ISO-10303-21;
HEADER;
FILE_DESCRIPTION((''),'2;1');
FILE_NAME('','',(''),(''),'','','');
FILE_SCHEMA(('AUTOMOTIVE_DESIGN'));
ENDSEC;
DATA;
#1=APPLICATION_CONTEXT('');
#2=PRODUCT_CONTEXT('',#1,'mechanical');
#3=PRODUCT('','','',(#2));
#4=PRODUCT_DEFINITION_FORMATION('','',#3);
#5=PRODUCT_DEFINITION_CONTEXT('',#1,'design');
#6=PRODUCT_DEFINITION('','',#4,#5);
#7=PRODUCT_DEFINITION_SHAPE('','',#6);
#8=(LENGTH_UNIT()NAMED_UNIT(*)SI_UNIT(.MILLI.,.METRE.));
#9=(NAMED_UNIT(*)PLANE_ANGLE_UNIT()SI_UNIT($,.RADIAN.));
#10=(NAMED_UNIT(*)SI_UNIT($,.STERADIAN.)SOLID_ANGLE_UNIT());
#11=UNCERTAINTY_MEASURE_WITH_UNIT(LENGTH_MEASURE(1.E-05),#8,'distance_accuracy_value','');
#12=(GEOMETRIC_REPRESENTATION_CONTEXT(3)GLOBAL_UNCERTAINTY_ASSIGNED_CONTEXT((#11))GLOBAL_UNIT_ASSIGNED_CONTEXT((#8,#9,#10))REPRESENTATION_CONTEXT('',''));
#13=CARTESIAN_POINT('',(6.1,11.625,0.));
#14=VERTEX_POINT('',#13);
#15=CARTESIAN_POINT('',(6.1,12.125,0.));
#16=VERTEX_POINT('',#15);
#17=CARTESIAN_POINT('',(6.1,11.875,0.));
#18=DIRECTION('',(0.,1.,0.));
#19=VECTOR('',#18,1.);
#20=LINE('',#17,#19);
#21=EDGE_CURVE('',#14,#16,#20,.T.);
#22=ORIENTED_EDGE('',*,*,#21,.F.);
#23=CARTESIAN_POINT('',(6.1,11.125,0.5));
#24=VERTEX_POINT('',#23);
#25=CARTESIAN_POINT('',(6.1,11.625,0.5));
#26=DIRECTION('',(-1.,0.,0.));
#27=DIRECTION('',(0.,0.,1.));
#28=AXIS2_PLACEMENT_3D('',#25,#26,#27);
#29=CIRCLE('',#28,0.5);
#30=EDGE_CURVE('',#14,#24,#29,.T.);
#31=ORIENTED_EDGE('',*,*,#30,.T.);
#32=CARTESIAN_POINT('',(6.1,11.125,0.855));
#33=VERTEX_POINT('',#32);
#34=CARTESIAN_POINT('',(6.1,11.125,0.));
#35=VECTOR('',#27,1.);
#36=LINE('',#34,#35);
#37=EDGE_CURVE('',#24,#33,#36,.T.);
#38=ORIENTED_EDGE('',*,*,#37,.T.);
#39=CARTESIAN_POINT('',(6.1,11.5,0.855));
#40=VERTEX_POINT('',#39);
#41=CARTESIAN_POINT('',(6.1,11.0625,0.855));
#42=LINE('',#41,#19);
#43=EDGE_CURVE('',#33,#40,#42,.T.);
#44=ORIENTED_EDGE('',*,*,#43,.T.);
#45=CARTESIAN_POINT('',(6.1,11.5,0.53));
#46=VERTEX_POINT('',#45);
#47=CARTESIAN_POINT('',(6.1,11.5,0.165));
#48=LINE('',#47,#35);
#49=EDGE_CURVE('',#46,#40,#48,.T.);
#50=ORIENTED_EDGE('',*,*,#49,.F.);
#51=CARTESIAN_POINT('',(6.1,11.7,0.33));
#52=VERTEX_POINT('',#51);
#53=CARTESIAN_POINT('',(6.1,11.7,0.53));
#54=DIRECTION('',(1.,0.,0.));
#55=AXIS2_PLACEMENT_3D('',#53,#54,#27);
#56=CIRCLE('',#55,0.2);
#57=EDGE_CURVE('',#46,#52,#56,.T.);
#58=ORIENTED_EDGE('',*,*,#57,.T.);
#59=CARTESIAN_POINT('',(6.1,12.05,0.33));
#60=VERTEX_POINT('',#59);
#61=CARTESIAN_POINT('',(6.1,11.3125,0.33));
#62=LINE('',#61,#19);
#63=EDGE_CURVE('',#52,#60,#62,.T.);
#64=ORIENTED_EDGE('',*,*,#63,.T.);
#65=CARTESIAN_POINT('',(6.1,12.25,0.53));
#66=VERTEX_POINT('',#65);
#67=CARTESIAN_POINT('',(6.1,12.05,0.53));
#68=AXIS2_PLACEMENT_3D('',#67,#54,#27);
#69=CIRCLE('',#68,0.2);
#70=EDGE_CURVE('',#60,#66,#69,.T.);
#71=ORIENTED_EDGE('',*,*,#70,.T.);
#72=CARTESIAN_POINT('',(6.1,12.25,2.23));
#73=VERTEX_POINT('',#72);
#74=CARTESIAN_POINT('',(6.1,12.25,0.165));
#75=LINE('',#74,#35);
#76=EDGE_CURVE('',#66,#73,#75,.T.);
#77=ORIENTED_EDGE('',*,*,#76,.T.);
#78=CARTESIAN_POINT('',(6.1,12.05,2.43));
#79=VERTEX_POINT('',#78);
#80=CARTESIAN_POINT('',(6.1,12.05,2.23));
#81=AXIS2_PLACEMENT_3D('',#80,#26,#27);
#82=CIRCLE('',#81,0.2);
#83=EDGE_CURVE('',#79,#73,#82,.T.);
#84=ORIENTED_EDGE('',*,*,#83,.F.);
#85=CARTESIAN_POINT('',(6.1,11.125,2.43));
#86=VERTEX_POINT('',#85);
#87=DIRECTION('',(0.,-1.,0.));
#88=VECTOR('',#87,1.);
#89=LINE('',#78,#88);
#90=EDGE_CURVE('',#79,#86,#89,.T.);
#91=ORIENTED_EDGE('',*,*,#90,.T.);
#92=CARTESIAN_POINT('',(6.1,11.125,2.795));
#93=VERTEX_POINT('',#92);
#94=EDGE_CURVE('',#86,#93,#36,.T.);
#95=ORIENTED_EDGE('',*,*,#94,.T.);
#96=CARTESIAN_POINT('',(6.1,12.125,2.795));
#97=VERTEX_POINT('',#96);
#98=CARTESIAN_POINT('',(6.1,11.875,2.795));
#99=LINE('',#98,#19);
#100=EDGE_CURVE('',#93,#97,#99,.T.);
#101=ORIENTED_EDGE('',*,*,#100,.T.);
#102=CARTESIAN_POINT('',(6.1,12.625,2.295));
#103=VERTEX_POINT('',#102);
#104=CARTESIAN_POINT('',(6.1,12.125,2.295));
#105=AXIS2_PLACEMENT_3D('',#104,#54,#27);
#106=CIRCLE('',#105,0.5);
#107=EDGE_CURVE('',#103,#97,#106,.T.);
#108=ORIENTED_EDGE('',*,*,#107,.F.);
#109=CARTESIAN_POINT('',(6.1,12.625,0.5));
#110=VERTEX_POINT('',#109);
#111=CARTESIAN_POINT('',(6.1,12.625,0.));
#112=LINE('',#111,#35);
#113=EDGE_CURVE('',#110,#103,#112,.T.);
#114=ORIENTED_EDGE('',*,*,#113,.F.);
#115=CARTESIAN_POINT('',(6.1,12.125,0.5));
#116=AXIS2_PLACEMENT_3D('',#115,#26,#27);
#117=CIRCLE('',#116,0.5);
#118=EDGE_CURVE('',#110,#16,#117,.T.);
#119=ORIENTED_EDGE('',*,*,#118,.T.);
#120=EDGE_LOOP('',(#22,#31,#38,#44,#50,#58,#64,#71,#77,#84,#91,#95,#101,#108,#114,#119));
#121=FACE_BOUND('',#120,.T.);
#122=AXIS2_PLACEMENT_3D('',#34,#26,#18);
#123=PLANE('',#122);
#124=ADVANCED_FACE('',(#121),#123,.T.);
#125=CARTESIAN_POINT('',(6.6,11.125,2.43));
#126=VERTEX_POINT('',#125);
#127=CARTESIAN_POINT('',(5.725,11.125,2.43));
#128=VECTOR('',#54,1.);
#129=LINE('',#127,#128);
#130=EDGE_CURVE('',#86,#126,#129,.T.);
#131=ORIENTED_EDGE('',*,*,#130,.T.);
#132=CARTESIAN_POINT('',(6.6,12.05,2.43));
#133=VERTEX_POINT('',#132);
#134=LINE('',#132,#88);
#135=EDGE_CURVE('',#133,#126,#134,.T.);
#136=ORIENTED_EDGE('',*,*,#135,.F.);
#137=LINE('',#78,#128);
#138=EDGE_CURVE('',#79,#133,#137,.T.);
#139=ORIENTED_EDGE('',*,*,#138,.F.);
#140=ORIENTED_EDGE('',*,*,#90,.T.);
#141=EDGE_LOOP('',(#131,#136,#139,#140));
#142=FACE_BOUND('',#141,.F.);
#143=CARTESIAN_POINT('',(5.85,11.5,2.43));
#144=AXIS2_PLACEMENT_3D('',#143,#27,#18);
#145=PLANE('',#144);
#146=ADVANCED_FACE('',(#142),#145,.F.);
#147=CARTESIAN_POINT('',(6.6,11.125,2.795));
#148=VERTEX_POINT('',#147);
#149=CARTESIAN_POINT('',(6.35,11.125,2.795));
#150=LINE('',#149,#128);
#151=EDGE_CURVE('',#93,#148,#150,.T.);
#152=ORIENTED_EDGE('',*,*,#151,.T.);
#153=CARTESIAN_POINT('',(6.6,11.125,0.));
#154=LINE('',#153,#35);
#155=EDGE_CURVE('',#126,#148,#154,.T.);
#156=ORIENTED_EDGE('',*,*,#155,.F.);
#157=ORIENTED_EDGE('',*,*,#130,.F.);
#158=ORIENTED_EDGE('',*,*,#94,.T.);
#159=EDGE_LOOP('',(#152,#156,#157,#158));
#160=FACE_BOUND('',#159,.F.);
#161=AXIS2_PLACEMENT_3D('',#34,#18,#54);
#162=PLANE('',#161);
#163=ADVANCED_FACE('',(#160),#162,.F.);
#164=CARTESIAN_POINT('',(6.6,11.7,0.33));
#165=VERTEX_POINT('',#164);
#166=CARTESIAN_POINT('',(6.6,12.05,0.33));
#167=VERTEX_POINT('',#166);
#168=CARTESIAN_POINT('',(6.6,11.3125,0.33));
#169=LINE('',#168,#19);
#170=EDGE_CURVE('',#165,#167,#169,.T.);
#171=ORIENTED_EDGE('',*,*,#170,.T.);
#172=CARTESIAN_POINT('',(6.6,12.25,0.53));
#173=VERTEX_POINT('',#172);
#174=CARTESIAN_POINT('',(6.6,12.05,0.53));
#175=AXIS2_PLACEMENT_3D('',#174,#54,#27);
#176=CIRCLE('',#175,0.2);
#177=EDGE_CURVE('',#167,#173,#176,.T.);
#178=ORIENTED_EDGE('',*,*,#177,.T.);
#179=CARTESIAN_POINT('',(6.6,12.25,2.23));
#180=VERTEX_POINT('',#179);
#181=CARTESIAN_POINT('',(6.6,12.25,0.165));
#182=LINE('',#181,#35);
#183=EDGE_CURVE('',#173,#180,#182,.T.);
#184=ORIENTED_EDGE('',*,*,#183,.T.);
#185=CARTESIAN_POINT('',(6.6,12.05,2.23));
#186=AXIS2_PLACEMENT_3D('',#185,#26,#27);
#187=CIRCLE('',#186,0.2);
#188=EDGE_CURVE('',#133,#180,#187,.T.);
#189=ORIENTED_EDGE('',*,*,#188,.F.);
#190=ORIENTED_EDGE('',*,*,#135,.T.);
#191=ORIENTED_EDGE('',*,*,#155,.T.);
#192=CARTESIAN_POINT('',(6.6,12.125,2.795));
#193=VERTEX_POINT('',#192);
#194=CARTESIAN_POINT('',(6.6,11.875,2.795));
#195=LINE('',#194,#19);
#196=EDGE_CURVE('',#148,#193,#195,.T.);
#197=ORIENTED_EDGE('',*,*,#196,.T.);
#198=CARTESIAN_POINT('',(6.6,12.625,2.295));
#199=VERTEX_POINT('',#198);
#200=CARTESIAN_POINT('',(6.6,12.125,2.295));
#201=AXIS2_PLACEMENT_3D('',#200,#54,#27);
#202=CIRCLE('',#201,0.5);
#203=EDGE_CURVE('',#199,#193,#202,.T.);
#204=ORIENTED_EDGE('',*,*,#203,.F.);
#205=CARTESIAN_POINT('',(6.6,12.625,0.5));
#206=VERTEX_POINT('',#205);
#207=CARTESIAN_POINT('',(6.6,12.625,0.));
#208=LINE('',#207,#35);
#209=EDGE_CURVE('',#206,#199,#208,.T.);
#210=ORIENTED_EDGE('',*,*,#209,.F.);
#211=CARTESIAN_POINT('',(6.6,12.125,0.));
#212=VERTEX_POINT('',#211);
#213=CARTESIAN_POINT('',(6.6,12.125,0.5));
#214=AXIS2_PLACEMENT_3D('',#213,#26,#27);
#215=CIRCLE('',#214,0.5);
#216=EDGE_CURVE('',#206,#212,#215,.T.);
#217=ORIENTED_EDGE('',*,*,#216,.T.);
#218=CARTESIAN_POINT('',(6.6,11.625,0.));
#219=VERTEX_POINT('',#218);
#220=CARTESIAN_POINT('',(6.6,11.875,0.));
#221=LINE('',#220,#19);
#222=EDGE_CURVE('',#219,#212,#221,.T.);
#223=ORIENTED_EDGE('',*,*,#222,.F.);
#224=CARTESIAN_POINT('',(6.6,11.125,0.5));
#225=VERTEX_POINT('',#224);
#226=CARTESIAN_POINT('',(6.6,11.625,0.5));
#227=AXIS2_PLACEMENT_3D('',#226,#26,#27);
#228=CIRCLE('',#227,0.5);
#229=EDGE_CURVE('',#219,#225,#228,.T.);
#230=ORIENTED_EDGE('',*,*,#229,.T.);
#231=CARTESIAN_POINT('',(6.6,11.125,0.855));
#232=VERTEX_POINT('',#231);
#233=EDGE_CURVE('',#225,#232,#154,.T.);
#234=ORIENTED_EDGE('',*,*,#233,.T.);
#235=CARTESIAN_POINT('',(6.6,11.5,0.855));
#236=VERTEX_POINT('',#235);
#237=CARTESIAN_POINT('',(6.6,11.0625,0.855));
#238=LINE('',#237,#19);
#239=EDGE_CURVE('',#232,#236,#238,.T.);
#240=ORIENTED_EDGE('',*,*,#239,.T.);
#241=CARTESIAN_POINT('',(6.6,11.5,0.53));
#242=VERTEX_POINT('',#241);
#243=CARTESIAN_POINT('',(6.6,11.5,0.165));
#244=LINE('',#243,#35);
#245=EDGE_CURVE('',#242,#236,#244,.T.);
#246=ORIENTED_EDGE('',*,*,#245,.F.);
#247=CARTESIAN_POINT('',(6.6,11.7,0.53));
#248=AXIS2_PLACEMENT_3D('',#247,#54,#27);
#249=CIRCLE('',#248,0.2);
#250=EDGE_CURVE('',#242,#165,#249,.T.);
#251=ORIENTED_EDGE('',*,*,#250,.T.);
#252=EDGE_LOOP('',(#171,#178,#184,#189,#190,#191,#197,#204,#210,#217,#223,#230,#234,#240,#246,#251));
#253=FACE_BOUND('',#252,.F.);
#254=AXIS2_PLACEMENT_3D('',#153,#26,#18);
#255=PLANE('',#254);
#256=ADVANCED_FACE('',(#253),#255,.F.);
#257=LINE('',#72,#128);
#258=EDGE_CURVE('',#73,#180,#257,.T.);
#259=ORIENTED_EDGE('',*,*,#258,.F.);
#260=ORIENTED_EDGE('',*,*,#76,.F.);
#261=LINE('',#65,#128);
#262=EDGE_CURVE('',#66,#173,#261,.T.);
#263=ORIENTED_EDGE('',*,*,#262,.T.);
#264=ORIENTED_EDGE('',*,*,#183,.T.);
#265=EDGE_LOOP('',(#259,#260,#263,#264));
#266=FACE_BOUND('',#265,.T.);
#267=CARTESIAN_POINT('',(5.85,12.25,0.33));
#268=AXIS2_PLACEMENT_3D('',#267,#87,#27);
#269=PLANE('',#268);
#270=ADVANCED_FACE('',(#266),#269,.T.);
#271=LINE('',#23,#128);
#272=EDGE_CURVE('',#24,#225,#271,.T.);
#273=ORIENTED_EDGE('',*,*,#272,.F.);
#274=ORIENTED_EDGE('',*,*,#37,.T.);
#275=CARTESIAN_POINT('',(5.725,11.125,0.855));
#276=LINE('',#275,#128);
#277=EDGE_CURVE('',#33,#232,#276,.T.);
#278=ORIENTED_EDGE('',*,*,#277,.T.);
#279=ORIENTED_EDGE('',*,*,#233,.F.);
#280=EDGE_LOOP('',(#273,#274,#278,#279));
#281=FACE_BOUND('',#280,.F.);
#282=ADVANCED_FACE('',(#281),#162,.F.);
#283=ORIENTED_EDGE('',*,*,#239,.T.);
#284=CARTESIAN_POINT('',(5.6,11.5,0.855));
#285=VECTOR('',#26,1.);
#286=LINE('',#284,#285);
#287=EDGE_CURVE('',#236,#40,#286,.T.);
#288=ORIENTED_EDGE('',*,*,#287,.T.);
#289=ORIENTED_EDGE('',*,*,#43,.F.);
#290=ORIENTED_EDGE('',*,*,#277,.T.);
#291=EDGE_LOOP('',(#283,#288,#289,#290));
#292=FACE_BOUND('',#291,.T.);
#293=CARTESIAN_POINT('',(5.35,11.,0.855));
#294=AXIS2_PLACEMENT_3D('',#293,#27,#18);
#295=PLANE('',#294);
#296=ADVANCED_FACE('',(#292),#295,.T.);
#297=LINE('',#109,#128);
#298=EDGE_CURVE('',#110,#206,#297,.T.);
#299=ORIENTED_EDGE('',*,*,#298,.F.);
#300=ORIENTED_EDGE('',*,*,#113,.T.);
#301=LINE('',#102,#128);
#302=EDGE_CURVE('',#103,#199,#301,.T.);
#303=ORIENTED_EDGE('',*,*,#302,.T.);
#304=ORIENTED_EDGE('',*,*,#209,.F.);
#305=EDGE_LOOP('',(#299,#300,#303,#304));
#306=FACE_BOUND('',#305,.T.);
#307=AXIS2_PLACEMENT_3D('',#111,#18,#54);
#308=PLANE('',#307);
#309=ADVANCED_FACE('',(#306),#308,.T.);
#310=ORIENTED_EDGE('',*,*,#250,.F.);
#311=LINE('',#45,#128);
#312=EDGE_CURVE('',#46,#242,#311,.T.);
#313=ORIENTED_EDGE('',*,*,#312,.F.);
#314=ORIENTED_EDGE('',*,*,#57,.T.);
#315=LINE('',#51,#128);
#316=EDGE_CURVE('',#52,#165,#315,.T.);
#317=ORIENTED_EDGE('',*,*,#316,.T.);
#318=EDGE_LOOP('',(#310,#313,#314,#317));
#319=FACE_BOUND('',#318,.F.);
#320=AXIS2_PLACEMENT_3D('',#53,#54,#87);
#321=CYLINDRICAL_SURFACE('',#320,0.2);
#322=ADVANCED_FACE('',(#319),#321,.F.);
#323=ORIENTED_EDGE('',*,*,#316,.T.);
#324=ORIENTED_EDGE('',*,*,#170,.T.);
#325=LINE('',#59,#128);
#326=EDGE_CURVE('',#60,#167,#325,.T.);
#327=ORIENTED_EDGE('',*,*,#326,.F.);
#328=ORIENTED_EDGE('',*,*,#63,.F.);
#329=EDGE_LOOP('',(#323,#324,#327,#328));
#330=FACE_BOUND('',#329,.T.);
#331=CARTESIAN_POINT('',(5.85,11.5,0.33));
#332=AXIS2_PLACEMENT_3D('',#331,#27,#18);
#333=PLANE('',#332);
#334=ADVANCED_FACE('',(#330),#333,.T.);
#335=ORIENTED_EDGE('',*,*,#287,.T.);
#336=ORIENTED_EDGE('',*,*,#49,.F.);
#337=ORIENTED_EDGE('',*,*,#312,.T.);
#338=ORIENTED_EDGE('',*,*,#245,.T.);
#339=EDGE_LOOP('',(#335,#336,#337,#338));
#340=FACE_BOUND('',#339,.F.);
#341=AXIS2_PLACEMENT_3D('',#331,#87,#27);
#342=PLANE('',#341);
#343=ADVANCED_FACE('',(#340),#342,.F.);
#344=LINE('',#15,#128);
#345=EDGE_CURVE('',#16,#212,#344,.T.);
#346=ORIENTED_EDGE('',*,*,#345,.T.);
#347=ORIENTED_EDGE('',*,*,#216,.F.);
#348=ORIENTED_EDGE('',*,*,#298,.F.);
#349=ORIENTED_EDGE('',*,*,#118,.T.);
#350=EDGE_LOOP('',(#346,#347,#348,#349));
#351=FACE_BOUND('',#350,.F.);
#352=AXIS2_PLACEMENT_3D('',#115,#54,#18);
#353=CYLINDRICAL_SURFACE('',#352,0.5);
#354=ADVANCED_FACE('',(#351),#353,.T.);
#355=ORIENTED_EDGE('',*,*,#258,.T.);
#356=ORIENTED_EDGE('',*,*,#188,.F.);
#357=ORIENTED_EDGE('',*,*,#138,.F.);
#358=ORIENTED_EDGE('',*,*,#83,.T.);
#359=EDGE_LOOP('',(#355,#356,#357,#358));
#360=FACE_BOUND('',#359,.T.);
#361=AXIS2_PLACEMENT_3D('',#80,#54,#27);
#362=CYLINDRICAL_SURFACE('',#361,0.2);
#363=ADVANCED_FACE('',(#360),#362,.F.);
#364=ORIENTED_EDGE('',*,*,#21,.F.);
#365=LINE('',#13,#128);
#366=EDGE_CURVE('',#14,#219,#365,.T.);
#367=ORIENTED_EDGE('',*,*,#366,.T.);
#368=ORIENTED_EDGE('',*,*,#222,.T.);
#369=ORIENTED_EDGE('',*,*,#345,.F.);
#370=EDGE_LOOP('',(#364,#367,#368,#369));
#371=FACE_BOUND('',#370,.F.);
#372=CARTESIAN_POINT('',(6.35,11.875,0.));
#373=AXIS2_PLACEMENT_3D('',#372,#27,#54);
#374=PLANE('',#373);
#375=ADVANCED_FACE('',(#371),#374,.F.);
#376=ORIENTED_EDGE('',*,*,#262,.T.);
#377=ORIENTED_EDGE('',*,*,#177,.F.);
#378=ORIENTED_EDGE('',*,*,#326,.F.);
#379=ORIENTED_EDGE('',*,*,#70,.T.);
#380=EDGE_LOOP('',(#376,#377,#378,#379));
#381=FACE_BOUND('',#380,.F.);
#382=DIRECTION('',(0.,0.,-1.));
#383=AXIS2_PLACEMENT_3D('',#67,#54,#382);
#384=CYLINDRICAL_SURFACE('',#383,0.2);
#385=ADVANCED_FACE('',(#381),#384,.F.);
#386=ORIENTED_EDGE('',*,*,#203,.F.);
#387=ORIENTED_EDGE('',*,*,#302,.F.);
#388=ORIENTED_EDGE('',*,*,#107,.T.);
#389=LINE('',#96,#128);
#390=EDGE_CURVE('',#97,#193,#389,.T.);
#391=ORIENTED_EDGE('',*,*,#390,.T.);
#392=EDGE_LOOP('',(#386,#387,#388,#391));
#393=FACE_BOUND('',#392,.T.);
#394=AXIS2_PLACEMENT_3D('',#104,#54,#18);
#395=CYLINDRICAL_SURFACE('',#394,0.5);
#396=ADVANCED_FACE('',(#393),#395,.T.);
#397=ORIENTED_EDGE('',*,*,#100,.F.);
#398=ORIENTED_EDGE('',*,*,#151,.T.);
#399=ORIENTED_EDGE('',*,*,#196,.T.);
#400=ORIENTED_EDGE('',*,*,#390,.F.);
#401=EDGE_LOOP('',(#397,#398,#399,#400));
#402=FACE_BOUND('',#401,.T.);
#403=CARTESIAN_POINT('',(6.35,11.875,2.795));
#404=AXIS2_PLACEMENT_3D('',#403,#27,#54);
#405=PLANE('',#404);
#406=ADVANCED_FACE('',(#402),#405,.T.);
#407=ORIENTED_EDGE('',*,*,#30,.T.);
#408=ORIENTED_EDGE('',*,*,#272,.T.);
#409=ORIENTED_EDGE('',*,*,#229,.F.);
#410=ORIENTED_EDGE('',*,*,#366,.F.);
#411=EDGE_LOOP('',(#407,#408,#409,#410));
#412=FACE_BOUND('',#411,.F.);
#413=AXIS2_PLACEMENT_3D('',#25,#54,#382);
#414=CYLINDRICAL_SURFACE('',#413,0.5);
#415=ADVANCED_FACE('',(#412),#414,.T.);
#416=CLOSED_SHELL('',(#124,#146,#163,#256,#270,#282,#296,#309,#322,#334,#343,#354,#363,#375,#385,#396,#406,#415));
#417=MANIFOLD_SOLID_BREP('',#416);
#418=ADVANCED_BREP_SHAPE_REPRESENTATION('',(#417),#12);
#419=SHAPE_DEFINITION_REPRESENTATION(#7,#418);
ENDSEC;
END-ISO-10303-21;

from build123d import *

# Parameters (mm, degrees)
BOX165_W     = 0.5
BOX165_H     = 1.5
BOX165_DEPTH = 2.795
FILLET372_R  = 0.5
FILLET374_R  = 0.5
FILLET367_R  = 0.5
BOX164_W     = 0.75
BOX164_H     = 2.1
BOX164_DEPTH = 1
FILLET368_R  = 0.2
FILLET383_R  = 0.2
FILLET380_R  = 0.2
FILLET381_R  = 0.2
BOX174_W     = 1
BOX174_H     = 1.575
BOX174_DEPTH = 3


with BuildPart() as part:
    # Box165 → Box165 (join)
    with BuildSketch(Plane(origin=(-0.25, 11.125, 0), x_dir=(1, 0, 0), z_dir=(0, 0, 1))):
        with Locations((0.25, 0.75)):
            Rectangle(BOX165_W, BOX165_H)
    extrude(amount=BOX165_DEPTH)

    # Fillet372
    fillet372_edges = [part.edges().sort_by_distance(p)[0] for p in [
        (0, 12.625, 0),
    ]]
    fillet(fillet372_edges, radius=FILLET372_R)

    # Fillet374
    fillet374_edges = [part.edges().sort_by_distance(p)[0] for p in [
        (0, 12.625, 2.795),
    ]]
    fillet(fillet374_edges, radius=FILLET374_R)

    # Fillet367
    fillet367_edges = [part.edges().sort_by_distance(p)[0] for p in [
        (0, 11.125, 0),
    ]]
    fillet(fillet367_edges, radius=FILLET367_R)

    # Box164 → Box164 (cut)
    with BuildSketch(Plane(origin=(-0.5, 11.5, 0.33), x_dir=(0, 1, 0), z_dir=(1, 0, 0))):
        with Locations((0.375, 1.05)):
            Rectangle(BOX164_W, BOX164_H)
    extrude(amount=BOX164_DEPTH, mode=Mode.SUBTRACT)

    # Fillet368
    fillet368_edges = [part.edges().sort_by_distance(p)[0] for p in [
        (0, 11.5, 0.33),
    ]]
    fillet(fillet368_edges, radius=FILLET368_R)

    # Fillet383
    fillet383_edges = [part.edges().sort_by_distance(p)[0] for p in [
        (0, 12.25, 0.33),
    ]]
    fillet(fillet383_edges, radius=FILLET383_R)

    # Fillet380
    fillet380_edges = [part.edges().sort_by_distance(p)[0] for p in [
        (0, 11.5, 2.43),
    ]]
    fillet(fillet380_edges, radius=FILLET380_R)

    # Fillet381
    fillet381_edges = [part.edges().sort_by_distance(p)[0] for p in [
        (0, 12.25, 2.43),
    ]]
    fillet(fillet381_edges, radius=FILLET381_R)

    # Box174 → Box174 (cut)
    with BuildSketch(Plane(origin=(-1, 11, 0.855), x_dir=(0, 1, 0), z_dir=(1, 0, 0))):
        with Locations((0.5, 0.7875)):
            Rectangle(BOX174_W, BOX174_H)
    extrude(amount=BOX174_DEPTH, mode=Mode.SUBTRACT)


with BuildPart() as part_1:
    # Body055 placement: moved
    add(part.part.moved(Location((6.35, 0, 0))))


solid = part_1.part
